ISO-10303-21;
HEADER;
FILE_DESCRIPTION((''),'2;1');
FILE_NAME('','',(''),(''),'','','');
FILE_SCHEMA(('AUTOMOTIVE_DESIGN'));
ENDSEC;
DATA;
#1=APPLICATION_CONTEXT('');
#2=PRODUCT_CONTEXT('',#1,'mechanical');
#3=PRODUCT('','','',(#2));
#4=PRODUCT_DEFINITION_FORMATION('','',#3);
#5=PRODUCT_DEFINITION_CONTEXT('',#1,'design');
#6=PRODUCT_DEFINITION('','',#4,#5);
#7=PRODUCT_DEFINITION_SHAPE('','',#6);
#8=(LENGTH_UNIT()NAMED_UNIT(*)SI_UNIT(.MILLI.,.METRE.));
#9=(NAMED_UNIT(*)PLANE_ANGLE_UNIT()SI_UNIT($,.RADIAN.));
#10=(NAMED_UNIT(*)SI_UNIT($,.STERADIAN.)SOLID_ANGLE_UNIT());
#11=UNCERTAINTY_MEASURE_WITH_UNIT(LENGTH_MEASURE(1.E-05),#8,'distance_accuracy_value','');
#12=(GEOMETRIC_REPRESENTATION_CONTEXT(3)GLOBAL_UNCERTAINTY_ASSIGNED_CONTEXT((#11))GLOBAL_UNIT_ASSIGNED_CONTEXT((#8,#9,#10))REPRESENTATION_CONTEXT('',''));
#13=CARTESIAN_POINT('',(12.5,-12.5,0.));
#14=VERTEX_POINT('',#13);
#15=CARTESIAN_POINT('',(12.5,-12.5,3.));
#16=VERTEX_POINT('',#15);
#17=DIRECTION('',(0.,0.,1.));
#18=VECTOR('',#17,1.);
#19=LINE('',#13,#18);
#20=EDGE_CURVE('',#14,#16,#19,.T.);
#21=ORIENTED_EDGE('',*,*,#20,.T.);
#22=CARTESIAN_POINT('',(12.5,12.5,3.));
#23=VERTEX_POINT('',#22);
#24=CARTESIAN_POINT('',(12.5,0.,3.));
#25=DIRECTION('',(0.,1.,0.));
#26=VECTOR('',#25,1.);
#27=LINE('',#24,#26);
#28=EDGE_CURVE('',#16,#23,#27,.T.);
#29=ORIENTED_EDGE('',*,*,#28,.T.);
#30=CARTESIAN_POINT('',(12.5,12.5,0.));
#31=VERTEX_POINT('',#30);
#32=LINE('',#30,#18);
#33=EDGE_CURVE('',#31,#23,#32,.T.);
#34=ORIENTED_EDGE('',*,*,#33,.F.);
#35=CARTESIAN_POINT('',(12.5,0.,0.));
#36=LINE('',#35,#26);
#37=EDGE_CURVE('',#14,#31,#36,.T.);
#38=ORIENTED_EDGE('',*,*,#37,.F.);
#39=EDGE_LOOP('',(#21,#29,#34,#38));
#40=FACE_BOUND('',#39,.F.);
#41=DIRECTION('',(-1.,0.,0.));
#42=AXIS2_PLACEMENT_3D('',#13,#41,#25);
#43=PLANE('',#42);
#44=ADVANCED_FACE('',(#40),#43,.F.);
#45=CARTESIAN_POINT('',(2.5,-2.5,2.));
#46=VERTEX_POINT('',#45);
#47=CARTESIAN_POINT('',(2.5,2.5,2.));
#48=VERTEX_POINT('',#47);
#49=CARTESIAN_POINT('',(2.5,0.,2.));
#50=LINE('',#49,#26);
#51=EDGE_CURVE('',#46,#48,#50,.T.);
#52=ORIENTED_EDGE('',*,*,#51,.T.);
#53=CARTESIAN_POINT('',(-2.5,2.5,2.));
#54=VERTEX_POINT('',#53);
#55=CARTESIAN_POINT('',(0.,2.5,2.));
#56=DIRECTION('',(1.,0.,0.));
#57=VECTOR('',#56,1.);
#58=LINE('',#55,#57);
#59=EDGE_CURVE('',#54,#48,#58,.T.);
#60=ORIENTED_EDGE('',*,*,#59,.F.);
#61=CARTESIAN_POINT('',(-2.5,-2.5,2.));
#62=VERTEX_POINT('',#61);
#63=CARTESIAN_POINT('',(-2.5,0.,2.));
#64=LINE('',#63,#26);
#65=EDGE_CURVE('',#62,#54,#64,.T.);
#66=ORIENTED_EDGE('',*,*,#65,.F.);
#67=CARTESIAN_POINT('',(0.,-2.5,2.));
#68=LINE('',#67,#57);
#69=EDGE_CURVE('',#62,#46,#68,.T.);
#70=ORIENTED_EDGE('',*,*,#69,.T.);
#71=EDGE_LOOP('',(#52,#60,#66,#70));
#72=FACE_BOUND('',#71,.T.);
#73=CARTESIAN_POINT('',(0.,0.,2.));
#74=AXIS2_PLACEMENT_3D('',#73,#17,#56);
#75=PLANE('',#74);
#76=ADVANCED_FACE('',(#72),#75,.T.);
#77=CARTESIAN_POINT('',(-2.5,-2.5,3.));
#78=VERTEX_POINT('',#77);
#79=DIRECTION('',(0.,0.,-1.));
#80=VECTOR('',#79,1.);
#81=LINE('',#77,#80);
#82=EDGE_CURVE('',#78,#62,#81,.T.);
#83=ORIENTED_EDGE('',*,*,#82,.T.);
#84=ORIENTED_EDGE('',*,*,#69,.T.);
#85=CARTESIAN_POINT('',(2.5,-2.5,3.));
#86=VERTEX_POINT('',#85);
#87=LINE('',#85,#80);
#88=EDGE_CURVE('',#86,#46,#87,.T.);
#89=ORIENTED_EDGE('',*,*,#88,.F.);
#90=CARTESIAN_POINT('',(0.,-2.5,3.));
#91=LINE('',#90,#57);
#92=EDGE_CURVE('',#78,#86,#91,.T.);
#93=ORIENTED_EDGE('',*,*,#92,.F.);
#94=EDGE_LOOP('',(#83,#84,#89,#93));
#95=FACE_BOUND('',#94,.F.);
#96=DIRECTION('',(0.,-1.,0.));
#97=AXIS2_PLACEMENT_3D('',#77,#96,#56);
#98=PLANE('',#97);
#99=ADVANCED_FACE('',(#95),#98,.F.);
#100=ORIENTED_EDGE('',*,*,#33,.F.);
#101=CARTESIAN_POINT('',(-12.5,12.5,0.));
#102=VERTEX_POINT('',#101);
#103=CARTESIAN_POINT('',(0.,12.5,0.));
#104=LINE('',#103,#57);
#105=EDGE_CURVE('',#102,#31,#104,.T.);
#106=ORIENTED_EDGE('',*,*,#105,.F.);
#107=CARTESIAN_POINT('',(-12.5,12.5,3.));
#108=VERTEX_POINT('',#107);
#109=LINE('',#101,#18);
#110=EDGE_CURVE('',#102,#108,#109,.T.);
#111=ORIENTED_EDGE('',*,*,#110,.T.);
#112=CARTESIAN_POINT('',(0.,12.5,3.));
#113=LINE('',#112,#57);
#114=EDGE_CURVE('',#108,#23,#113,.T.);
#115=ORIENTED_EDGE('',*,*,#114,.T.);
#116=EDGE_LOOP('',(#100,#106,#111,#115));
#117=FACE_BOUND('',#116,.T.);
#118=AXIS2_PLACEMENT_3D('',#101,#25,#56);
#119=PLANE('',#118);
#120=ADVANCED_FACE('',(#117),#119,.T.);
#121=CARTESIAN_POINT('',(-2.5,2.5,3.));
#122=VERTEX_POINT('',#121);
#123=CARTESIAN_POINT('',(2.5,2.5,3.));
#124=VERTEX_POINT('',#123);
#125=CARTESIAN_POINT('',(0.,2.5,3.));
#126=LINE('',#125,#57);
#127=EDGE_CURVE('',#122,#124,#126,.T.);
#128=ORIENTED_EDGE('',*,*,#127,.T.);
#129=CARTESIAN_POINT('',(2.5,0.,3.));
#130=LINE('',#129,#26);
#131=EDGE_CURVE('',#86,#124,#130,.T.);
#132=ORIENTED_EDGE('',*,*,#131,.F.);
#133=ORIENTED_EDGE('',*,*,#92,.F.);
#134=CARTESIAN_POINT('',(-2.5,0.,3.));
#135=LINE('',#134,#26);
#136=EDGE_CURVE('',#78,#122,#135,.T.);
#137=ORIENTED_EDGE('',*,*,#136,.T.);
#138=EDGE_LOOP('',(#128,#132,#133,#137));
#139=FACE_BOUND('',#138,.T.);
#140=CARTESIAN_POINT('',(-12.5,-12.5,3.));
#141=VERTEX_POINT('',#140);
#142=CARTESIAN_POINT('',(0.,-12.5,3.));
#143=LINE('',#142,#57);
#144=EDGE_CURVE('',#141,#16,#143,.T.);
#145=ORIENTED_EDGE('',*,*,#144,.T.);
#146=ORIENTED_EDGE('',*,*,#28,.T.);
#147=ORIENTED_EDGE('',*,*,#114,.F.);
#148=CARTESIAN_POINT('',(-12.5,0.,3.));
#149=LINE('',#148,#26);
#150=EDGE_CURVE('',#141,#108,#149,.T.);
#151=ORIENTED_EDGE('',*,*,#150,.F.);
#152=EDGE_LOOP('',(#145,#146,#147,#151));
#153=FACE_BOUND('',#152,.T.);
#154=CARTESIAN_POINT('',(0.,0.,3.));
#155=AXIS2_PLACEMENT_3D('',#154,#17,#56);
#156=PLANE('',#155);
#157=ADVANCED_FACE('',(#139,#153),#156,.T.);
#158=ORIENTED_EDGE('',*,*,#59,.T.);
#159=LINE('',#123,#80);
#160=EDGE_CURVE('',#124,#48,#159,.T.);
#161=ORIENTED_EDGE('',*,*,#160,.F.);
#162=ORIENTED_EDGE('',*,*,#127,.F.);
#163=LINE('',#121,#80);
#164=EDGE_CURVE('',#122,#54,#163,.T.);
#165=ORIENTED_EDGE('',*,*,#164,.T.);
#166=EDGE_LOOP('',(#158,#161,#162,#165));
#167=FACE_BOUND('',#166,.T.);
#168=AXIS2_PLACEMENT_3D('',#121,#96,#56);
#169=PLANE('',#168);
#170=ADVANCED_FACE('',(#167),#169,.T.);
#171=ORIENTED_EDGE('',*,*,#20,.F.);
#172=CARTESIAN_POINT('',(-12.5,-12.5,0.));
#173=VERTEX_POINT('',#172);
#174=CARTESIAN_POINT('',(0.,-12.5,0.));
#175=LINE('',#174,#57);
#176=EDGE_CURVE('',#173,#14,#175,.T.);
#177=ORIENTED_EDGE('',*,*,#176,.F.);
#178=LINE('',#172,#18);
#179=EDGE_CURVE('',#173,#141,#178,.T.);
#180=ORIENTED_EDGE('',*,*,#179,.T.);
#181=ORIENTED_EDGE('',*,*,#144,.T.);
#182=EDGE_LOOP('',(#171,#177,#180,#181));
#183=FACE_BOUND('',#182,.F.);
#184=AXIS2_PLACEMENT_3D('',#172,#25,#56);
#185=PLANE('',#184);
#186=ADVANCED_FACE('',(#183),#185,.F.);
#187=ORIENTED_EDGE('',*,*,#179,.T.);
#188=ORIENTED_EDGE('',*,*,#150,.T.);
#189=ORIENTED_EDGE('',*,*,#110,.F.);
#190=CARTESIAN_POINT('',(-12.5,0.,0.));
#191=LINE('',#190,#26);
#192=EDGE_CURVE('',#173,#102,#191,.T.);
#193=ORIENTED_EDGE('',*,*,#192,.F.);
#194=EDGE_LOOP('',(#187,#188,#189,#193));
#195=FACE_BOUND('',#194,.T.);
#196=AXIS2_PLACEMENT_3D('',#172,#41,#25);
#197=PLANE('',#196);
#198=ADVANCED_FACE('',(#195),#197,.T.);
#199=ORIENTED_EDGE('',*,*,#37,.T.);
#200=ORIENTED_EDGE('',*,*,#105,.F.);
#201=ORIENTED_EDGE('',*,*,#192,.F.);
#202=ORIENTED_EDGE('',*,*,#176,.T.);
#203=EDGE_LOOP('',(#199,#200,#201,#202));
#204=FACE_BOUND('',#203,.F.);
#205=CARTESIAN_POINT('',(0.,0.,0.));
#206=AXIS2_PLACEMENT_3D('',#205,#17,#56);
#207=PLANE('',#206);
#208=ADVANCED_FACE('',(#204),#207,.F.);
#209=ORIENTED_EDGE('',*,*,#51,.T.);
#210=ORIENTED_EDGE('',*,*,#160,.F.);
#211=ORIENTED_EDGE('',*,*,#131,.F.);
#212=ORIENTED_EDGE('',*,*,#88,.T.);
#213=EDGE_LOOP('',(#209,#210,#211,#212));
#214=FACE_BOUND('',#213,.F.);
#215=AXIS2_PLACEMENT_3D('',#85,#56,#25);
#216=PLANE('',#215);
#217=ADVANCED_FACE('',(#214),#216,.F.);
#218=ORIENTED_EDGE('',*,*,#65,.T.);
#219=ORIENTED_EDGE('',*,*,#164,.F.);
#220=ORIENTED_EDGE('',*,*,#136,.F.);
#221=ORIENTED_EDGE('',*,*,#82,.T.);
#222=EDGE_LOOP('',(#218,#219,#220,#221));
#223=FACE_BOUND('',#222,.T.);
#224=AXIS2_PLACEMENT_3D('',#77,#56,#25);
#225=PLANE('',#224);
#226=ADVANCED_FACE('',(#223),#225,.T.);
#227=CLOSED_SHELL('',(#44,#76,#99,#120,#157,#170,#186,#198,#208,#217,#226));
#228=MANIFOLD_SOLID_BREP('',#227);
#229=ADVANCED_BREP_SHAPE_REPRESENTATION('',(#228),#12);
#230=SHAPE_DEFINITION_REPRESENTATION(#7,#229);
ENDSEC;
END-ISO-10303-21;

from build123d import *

# Parameters (mm, degrees)
F0_W     = 25
F0_H     = 25
F1_DEPTH = 3
F2_W     = 5
F2_H     = 5
F3_DEPTH = 1


with BuildPart() as f1:
    # F0 (on Top) → F1 (new body)
    with BuildSketch(Plane.XY):
        Rectangle(F0_W, F0_H)
    extrude(amount=F1_DEPTH)


with BuildPart() as f3:
    # F2 (on face) → F3 (new body)
    with BuildSketch(Plane.XY.offset(3)):
        Rectangle(F2_W, F2_H)
    extrude(amount=-F3_DEPTH)


with BuildPart() as f1_1:
    add(f1.part)

    # F4: cut F3
    add(f3.part, mode=Mode.SUBTRACT)


solid = f1_1.part
